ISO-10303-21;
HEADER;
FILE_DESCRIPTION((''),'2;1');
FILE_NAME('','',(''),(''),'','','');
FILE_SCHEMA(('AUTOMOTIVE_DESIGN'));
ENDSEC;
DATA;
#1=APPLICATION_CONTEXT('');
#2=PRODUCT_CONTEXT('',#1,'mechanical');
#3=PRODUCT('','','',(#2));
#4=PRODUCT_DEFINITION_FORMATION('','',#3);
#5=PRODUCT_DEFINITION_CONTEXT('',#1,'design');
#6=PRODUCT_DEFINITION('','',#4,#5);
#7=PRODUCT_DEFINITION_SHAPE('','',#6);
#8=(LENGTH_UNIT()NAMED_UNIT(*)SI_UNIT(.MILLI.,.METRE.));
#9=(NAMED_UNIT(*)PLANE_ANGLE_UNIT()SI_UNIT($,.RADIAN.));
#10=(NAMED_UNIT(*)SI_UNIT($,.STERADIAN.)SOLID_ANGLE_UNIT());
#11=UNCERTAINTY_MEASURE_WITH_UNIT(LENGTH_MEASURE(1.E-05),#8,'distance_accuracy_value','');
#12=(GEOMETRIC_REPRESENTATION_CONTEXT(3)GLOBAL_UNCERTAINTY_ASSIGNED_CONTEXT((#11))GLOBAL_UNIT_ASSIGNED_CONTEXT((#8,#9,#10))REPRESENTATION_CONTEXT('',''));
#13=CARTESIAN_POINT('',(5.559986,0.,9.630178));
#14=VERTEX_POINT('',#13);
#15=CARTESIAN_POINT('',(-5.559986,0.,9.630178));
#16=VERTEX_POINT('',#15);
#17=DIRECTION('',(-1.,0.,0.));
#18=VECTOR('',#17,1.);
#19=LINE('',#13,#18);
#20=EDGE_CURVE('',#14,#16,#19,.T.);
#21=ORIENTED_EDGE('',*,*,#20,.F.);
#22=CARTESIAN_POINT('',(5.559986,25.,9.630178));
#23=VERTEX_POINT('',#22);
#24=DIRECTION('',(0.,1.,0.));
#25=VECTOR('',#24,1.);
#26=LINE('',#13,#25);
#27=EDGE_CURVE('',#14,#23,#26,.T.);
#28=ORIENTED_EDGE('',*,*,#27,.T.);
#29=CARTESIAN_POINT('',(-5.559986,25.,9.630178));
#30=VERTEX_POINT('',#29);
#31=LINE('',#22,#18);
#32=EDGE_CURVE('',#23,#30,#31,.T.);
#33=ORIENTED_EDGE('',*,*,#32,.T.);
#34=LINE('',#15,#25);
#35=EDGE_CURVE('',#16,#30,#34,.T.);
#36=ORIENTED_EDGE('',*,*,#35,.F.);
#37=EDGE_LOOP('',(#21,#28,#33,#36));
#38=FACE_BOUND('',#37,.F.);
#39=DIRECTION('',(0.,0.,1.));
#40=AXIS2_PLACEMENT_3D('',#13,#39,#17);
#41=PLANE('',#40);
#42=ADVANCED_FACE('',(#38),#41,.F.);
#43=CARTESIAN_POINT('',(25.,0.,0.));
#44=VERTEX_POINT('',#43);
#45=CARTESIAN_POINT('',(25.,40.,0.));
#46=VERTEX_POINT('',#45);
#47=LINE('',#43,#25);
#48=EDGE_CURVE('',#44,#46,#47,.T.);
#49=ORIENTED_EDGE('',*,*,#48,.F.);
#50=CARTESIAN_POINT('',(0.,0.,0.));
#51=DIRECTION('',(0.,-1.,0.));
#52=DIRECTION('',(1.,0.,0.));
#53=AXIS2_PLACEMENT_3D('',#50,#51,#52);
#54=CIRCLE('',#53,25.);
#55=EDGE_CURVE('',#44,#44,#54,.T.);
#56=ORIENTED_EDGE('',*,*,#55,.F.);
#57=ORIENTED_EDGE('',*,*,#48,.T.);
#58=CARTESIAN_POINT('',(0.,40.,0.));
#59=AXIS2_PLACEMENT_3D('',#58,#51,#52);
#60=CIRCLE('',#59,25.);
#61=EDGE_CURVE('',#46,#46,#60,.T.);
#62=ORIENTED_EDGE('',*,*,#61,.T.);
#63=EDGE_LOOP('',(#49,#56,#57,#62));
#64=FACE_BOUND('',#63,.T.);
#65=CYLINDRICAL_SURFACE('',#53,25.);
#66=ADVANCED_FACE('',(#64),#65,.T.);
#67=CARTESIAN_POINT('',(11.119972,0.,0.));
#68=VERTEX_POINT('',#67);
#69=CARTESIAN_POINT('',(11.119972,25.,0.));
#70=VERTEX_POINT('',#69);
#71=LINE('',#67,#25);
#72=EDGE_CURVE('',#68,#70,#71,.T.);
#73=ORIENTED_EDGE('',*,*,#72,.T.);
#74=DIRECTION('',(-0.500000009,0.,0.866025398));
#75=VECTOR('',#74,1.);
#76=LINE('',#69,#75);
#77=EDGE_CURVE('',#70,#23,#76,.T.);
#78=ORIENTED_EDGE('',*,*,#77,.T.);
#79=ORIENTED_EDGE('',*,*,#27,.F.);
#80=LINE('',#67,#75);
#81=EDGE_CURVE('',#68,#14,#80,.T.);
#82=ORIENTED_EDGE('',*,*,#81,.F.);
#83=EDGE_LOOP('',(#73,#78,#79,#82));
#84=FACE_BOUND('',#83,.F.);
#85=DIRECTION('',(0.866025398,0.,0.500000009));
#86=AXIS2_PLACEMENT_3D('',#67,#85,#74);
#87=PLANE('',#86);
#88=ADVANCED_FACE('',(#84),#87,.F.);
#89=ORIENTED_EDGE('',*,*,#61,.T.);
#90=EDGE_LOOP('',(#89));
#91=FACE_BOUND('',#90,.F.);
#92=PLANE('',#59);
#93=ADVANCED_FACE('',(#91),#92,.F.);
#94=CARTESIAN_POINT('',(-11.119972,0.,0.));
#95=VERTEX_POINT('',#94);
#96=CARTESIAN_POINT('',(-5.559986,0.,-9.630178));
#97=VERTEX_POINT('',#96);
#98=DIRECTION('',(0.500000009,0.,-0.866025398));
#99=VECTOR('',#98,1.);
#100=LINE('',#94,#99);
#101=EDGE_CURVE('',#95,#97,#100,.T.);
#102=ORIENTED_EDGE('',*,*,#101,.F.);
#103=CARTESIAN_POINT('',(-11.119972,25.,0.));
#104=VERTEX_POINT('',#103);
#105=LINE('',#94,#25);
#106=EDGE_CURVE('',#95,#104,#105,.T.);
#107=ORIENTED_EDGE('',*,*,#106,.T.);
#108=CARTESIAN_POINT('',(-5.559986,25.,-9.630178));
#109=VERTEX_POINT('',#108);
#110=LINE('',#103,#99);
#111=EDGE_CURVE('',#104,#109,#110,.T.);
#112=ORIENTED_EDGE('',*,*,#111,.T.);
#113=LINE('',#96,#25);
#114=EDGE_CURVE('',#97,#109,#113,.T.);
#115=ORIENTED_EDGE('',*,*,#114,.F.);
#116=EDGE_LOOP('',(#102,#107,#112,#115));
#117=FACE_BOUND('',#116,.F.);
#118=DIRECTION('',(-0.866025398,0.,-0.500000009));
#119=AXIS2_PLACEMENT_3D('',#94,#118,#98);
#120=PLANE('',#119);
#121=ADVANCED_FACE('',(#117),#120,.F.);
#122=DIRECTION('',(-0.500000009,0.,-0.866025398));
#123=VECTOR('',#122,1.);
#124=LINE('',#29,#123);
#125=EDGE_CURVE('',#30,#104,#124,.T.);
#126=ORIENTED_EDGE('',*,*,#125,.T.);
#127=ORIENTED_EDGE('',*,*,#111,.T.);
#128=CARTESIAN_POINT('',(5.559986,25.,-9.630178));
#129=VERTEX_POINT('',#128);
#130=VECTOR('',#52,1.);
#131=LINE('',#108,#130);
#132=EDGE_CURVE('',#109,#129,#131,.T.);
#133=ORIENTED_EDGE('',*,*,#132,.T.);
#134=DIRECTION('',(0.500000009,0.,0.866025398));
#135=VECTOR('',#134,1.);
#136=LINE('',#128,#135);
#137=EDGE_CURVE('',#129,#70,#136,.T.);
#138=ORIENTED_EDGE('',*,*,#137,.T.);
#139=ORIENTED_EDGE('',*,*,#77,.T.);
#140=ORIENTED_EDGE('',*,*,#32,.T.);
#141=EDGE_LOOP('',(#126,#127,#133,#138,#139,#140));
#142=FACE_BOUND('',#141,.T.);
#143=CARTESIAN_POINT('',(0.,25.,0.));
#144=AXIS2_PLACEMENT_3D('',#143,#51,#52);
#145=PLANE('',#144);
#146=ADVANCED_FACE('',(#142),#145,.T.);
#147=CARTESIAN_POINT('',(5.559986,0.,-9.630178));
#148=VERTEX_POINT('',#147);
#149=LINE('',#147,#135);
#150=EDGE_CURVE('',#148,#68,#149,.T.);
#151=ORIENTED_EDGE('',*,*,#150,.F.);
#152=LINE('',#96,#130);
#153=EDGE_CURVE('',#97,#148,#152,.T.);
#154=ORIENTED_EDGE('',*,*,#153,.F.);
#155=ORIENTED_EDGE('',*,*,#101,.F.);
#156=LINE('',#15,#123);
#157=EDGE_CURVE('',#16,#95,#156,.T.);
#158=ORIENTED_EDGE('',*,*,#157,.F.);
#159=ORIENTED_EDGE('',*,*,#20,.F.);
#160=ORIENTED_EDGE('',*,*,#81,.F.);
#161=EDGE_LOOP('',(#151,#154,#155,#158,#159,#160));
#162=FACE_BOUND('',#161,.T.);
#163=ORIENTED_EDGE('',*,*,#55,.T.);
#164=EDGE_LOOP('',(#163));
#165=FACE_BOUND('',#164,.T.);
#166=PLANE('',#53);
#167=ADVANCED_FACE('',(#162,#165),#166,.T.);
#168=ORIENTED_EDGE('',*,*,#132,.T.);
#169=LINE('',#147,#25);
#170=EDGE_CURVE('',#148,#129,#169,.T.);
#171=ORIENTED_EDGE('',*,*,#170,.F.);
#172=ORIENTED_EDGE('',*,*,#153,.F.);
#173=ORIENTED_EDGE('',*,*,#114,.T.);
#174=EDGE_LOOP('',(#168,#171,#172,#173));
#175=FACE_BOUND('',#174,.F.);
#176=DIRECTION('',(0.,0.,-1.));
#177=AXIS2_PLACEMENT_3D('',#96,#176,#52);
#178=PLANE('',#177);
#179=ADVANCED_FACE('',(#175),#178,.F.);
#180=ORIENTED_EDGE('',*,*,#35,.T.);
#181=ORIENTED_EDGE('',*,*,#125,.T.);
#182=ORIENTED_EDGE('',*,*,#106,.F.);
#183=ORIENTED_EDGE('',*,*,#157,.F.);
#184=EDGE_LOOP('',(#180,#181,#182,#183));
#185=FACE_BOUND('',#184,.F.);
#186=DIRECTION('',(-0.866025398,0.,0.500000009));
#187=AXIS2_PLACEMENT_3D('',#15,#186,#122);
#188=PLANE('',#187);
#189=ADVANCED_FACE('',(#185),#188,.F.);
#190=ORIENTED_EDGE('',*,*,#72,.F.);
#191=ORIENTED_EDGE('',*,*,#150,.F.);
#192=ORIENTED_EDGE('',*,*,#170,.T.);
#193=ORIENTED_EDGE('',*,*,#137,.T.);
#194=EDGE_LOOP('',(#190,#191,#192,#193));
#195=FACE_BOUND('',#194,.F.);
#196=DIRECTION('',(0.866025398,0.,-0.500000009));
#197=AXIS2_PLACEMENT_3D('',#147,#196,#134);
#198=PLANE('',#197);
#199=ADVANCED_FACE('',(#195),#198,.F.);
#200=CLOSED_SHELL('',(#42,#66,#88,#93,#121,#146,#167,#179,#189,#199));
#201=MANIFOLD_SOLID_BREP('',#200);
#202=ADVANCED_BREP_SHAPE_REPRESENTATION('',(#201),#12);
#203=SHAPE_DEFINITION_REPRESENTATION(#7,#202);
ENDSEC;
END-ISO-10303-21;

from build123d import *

# Parameters (mm, degrees)
F0_R     = 25
F1_DEPTH = 40
F3_DEPTH = 25


with BuildPart() as f1:
    # F0 (on Front) → F1 (new body)
    with BuildSketch(Plane.XZ):
        Circle(F0_R)
    extrude(amount=-F1_DEPTH)

    # F2 (on Front) → F3 (cut)
    with BuildSketch(Plane.XZ):
        Polygon((5.559986, 9.630178), (-5.559986, 9.630178), (-11.119972, 0), (-5.559986, -9.630178), (5.559986, -9.630178), (11.119972, 0), align=None)
    extrude(amount=-F3_DEPTH, mode=Mode.SUBTRACT)


solid = f1.part
